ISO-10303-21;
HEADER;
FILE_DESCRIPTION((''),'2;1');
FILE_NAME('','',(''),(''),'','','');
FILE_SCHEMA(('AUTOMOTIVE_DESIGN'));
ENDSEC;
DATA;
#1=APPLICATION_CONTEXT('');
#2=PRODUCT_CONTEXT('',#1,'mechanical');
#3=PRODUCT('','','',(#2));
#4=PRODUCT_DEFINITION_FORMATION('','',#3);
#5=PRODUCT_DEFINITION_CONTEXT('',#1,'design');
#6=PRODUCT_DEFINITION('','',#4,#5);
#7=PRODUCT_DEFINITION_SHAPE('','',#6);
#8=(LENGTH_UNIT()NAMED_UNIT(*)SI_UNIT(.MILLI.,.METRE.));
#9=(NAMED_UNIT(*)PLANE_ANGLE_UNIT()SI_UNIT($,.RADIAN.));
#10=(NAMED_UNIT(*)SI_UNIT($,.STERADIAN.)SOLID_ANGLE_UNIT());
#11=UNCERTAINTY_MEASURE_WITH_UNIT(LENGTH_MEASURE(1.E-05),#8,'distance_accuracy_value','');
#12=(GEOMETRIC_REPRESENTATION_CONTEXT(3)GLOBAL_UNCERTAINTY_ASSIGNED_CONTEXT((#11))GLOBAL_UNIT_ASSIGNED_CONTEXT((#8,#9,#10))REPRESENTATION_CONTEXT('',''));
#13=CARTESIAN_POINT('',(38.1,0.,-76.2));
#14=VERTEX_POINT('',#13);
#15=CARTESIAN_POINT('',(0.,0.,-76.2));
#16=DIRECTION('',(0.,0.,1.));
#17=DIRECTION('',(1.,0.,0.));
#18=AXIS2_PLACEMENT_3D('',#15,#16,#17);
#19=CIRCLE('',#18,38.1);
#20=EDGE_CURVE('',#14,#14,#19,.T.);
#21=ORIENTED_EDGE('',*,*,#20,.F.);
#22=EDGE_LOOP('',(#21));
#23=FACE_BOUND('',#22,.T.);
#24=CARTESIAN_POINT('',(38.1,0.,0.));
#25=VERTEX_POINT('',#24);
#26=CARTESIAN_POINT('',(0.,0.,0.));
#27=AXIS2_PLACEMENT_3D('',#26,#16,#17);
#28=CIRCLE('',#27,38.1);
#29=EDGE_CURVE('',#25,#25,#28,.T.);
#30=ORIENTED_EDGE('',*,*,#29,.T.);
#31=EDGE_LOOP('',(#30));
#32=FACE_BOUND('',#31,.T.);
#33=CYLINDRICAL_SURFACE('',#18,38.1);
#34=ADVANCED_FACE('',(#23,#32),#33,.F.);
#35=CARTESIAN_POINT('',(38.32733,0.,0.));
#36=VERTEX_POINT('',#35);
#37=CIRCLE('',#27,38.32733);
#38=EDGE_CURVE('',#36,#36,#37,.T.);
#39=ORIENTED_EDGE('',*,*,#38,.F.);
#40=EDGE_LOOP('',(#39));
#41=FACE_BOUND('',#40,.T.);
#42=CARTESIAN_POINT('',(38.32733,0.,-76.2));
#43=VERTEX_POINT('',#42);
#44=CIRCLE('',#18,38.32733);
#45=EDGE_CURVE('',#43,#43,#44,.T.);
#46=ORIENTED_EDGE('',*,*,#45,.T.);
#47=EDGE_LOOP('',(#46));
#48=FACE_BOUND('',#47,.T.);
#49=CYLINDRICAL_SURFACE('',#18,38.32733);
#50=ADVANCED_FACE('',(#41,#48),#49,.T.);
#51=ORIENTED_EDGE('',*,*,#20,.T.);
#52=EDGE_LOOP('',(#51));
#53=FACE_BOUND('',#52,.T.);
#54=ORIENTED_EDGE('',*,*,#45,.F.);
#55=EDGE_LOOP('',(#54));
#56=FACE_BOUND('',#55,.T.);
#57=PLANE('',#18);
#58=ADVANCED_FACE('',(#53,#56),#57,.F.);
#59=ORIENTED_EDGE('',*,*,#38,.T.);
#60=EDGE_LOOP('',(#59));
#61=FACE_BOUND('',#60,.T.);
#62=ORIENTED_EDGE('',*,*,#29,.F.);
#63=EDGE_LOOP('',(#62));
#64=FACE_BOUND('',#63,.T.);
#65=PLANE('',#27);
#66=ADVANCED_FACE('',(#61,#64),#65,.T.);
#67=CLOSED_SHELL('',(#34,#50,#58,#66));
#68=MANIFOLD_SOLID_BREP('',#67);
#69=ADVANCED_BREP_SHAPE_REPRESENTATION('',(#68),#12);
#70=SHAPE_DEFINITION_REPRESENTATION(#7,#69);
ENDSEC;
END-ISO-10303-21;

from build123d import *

# Parameters (mm, degrees)
SKETCH1_R           = 38.32733
BOSS_EXTRUDE1_DEPTH = 76.2
SKETCH2_R           = 38.1
CUT_EXTRUDE1_DEPTH  = 76.2


with BuildPart() as part:
    # Sketch1 → Boss-Extrude1 (new body)
    with BuildSketch(Plane.XY):
        Circle(SKETCH1_R)
    extrude(amount=-BOSS_EXTRUDE1_DEPTH)

    # Sketch2 → Cut-Extrude1 (cut)
    with BuildSketch(Plane.XY):
        Circle(SKETCH2_R)
    extrude(amount=-CUT_EXTRUDE1_DEPTH, mode=Mode.SUBTRACT)


solid = part.part
